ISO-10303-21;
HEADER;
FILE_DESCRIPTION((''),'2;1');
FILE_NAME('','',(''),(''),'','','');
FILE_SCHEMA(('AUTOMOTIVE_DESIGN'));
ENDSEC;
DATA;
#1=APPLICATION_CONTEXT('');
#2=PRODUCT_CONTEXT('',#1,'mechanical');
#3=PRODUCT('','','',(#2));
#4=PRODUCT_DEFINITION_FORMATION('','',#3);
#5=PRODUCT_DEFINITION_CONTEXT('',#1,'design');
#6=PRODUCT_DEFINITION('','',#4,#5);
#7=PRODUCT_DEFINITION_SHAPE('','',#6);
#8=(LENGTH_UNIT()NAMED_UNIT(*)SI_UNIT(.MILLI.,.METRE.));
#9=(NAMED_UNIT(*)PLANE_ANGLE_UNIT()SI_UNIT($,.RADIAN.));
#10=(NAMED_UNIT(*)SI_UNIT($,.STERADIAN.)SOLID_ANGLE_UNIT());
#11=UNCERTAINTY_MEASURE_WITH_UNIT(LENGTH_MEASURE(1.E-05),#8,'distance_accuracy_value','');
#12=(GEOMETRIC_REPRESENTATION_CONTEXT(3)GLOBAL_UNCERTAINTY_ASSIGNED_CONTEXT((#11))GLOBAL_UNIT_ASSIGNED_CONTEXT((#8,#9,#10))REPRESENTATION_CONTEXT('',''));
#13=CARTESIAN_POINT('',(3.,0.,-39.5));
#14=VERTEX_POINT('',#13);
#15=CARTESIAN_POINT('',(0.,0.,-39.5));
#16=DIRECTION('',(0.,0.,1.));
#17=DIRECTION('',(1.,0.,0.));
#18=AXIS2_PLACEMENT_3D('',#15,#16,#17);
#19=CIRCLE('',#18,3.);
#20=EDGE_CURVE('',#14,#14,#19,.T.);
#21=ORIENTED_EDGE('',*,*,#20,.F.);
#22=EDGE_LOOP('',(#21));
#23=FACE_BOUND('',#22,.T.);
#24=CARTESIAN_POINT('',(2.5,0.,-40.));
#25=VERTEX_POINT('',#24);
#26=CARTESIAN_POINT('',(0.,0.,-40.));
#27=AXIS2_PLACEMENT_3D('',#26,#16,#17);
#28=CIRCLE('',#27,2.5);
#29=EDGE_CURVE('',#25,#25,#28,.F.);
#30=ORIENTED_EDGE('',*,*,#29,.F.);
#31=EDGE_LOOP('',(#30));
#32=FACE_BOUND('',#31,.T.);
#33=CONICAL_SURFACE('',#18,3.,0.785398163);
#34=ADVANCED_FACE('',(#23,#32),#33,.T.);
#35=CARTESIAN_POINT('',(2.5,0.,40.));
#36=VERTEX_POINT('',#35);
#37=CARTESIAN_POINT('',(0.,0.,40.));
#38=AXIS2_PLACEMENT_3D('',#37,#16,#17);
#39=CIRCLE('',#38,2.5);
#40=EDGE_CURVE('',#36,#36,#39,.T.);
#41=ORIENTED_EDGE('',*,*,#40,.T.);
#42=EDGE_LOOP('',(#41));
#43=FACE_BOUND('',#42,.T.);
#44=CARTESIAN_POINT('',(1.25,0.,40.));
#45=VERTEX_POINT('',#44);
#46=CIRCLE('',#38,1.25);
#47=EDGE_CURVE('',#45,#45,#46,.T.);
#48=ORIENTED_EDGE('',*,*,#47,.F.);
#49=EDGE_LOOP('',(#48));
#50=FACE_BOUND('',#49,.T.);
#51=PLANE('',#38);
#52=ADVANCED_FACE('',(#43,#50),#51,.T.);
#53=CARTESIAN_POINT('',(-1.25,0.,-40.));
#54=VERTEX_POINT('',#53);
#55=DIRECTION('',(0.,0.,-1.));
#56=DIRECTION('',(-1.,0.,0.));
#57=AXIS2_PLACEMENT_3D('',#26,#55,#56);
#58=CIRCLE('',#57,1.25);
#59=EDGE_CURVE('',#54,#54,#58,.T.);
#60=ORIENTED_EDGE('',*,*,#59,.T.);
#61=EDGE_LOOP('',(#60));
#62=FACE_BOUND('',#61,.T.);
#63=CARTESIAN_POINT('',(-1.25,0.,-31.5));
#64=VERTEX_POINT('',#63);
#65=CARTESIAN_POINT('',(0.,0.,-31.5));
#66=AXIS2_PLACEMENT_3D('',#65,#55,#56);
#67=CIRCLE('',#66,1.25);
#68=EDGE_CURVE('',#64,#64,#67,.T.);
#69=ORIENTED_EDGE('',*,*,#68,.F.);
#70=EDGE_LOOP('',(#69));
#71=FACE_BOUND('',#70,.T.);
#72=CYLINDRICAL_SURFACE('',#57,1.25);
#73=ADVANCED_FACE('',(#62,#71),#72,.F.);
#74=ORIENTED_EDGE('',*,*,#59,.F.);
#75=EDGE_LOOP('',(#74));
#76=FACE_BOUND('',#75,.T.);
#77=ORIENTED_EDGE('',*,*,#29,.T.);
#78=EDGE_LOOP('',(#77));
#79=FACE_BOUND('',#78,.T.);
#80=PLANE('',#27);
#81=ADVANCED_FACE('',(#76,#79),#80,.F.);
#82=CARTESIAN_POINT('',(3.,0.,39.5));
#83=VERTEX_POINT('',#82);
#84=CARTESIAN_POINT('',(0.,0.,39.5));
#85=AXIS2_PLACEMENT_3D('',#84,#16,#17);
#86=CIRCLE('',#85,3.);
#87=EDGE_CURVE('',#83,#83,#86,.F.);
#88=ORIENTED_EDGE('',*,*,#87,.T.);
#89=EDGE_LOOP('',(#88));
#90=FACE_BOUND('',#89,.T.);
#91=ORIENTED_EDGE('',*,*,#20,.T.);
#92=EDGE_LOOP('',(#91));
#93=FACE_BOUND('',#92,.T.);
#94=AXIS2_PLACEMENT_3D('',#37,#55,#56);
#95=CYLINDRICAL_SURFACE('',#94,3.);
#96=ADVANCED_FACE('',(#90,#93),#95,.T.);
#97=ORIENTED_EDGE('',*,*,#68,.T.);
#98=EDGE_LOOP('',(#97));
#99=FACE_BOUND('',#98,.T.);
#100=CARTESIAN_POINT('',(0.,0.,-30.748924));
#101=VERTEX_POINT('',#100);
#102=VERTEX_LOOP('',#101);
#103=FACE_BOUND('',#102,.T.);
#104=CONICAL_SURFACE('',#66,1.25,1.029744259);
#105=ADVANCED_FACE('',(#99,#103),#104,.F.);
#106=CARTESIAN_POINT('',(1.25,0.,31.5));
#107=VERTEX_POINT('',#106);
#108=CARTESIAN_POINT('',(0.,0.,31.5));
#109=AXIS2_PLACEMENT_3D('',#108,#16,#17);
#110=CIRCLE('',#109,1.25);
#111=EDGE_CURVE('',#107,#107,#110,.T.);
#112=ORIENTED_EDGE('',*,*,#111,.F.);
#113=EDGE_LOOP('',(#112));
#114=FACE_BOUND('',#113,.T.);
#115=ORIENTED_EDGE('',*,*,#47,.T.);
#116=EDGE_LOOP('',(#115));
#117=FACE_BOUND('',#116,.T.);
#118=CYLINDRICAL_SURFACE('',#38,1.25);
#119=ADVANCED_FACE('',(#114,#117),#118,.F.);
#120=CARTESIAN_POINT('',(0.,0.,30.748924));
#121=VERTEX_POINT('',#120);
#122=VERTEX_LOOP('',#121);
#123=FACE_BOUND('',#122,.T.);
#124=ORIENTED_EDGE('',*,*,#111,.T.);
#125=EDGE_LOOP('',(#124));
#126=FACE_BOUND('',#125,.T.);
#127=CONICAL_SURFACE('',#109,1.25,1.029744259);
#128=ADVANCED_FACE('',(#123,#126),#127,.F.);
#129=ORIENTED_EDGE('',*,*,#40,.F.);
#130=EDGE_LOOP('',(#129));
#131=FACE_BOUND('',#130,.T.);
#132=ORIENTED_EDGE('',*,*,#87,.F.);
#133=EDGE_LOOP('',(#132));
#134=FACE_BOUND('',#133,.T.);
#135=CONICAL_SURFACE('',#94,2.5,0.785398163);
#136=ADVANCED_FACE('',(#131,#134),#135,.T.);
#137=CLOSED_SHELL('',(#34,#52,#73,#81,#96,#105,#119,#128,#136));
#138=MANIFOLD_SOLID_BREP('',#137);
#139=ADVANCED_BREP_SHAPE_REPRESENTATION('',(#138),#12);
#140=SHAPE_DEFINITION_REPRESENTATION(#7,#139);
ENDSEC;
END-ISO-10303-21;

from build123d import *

# Parameters (mm, degrees)
SKETCH_1_R      = 3
EXTRUDE_1_DEPTH = 40
CHAMFER_1_SIZE  = 0.5


with BuildPart() as part:
    # ｽｹｯﾁ1 → ﾎﾞｽ - 押し出し1 (new, symmetric)
    with BuildSketch(Plane.XY):
        Circle(SKETCH_1_R)
    extrude(amount=EXTRUDE_1_DEPTH, both=True)

    # 面取り1
    chamfer_1_edges = [part.edges().sort_by_distance(p)[0] for p in [
        (-3, 0, -40),
        (-3, 0, 40),
    ]]
    chamfer(chamfer_1_edges, length=CHAMFER_1_SIZE)

    # ｽｹｯﾁ3 → M3 ねじ穴1 (revolve, cut)
    with BuildSketch(Plane(origin=(0, 0, 40), x_dir=(0, -1, 0), z_dir=(1, 0, 0))):
        Polygon((0, 0), (0, 9.251075774), (1.25, 8.5), (1.25, 0), align=None)
    hole_wizard_m3_1 = revolve(axis=Axis((0, 0, 46.35), (0, 0, -1)), mode=Mode.SUBTRACT)

    # ﾐﾗｰ1: M3 ねじ穴1 across plane
    add(hole_wizard_m3_1.mirror(Plane.XY), mode=Mode.SUBTRACT)


solid = part.part
